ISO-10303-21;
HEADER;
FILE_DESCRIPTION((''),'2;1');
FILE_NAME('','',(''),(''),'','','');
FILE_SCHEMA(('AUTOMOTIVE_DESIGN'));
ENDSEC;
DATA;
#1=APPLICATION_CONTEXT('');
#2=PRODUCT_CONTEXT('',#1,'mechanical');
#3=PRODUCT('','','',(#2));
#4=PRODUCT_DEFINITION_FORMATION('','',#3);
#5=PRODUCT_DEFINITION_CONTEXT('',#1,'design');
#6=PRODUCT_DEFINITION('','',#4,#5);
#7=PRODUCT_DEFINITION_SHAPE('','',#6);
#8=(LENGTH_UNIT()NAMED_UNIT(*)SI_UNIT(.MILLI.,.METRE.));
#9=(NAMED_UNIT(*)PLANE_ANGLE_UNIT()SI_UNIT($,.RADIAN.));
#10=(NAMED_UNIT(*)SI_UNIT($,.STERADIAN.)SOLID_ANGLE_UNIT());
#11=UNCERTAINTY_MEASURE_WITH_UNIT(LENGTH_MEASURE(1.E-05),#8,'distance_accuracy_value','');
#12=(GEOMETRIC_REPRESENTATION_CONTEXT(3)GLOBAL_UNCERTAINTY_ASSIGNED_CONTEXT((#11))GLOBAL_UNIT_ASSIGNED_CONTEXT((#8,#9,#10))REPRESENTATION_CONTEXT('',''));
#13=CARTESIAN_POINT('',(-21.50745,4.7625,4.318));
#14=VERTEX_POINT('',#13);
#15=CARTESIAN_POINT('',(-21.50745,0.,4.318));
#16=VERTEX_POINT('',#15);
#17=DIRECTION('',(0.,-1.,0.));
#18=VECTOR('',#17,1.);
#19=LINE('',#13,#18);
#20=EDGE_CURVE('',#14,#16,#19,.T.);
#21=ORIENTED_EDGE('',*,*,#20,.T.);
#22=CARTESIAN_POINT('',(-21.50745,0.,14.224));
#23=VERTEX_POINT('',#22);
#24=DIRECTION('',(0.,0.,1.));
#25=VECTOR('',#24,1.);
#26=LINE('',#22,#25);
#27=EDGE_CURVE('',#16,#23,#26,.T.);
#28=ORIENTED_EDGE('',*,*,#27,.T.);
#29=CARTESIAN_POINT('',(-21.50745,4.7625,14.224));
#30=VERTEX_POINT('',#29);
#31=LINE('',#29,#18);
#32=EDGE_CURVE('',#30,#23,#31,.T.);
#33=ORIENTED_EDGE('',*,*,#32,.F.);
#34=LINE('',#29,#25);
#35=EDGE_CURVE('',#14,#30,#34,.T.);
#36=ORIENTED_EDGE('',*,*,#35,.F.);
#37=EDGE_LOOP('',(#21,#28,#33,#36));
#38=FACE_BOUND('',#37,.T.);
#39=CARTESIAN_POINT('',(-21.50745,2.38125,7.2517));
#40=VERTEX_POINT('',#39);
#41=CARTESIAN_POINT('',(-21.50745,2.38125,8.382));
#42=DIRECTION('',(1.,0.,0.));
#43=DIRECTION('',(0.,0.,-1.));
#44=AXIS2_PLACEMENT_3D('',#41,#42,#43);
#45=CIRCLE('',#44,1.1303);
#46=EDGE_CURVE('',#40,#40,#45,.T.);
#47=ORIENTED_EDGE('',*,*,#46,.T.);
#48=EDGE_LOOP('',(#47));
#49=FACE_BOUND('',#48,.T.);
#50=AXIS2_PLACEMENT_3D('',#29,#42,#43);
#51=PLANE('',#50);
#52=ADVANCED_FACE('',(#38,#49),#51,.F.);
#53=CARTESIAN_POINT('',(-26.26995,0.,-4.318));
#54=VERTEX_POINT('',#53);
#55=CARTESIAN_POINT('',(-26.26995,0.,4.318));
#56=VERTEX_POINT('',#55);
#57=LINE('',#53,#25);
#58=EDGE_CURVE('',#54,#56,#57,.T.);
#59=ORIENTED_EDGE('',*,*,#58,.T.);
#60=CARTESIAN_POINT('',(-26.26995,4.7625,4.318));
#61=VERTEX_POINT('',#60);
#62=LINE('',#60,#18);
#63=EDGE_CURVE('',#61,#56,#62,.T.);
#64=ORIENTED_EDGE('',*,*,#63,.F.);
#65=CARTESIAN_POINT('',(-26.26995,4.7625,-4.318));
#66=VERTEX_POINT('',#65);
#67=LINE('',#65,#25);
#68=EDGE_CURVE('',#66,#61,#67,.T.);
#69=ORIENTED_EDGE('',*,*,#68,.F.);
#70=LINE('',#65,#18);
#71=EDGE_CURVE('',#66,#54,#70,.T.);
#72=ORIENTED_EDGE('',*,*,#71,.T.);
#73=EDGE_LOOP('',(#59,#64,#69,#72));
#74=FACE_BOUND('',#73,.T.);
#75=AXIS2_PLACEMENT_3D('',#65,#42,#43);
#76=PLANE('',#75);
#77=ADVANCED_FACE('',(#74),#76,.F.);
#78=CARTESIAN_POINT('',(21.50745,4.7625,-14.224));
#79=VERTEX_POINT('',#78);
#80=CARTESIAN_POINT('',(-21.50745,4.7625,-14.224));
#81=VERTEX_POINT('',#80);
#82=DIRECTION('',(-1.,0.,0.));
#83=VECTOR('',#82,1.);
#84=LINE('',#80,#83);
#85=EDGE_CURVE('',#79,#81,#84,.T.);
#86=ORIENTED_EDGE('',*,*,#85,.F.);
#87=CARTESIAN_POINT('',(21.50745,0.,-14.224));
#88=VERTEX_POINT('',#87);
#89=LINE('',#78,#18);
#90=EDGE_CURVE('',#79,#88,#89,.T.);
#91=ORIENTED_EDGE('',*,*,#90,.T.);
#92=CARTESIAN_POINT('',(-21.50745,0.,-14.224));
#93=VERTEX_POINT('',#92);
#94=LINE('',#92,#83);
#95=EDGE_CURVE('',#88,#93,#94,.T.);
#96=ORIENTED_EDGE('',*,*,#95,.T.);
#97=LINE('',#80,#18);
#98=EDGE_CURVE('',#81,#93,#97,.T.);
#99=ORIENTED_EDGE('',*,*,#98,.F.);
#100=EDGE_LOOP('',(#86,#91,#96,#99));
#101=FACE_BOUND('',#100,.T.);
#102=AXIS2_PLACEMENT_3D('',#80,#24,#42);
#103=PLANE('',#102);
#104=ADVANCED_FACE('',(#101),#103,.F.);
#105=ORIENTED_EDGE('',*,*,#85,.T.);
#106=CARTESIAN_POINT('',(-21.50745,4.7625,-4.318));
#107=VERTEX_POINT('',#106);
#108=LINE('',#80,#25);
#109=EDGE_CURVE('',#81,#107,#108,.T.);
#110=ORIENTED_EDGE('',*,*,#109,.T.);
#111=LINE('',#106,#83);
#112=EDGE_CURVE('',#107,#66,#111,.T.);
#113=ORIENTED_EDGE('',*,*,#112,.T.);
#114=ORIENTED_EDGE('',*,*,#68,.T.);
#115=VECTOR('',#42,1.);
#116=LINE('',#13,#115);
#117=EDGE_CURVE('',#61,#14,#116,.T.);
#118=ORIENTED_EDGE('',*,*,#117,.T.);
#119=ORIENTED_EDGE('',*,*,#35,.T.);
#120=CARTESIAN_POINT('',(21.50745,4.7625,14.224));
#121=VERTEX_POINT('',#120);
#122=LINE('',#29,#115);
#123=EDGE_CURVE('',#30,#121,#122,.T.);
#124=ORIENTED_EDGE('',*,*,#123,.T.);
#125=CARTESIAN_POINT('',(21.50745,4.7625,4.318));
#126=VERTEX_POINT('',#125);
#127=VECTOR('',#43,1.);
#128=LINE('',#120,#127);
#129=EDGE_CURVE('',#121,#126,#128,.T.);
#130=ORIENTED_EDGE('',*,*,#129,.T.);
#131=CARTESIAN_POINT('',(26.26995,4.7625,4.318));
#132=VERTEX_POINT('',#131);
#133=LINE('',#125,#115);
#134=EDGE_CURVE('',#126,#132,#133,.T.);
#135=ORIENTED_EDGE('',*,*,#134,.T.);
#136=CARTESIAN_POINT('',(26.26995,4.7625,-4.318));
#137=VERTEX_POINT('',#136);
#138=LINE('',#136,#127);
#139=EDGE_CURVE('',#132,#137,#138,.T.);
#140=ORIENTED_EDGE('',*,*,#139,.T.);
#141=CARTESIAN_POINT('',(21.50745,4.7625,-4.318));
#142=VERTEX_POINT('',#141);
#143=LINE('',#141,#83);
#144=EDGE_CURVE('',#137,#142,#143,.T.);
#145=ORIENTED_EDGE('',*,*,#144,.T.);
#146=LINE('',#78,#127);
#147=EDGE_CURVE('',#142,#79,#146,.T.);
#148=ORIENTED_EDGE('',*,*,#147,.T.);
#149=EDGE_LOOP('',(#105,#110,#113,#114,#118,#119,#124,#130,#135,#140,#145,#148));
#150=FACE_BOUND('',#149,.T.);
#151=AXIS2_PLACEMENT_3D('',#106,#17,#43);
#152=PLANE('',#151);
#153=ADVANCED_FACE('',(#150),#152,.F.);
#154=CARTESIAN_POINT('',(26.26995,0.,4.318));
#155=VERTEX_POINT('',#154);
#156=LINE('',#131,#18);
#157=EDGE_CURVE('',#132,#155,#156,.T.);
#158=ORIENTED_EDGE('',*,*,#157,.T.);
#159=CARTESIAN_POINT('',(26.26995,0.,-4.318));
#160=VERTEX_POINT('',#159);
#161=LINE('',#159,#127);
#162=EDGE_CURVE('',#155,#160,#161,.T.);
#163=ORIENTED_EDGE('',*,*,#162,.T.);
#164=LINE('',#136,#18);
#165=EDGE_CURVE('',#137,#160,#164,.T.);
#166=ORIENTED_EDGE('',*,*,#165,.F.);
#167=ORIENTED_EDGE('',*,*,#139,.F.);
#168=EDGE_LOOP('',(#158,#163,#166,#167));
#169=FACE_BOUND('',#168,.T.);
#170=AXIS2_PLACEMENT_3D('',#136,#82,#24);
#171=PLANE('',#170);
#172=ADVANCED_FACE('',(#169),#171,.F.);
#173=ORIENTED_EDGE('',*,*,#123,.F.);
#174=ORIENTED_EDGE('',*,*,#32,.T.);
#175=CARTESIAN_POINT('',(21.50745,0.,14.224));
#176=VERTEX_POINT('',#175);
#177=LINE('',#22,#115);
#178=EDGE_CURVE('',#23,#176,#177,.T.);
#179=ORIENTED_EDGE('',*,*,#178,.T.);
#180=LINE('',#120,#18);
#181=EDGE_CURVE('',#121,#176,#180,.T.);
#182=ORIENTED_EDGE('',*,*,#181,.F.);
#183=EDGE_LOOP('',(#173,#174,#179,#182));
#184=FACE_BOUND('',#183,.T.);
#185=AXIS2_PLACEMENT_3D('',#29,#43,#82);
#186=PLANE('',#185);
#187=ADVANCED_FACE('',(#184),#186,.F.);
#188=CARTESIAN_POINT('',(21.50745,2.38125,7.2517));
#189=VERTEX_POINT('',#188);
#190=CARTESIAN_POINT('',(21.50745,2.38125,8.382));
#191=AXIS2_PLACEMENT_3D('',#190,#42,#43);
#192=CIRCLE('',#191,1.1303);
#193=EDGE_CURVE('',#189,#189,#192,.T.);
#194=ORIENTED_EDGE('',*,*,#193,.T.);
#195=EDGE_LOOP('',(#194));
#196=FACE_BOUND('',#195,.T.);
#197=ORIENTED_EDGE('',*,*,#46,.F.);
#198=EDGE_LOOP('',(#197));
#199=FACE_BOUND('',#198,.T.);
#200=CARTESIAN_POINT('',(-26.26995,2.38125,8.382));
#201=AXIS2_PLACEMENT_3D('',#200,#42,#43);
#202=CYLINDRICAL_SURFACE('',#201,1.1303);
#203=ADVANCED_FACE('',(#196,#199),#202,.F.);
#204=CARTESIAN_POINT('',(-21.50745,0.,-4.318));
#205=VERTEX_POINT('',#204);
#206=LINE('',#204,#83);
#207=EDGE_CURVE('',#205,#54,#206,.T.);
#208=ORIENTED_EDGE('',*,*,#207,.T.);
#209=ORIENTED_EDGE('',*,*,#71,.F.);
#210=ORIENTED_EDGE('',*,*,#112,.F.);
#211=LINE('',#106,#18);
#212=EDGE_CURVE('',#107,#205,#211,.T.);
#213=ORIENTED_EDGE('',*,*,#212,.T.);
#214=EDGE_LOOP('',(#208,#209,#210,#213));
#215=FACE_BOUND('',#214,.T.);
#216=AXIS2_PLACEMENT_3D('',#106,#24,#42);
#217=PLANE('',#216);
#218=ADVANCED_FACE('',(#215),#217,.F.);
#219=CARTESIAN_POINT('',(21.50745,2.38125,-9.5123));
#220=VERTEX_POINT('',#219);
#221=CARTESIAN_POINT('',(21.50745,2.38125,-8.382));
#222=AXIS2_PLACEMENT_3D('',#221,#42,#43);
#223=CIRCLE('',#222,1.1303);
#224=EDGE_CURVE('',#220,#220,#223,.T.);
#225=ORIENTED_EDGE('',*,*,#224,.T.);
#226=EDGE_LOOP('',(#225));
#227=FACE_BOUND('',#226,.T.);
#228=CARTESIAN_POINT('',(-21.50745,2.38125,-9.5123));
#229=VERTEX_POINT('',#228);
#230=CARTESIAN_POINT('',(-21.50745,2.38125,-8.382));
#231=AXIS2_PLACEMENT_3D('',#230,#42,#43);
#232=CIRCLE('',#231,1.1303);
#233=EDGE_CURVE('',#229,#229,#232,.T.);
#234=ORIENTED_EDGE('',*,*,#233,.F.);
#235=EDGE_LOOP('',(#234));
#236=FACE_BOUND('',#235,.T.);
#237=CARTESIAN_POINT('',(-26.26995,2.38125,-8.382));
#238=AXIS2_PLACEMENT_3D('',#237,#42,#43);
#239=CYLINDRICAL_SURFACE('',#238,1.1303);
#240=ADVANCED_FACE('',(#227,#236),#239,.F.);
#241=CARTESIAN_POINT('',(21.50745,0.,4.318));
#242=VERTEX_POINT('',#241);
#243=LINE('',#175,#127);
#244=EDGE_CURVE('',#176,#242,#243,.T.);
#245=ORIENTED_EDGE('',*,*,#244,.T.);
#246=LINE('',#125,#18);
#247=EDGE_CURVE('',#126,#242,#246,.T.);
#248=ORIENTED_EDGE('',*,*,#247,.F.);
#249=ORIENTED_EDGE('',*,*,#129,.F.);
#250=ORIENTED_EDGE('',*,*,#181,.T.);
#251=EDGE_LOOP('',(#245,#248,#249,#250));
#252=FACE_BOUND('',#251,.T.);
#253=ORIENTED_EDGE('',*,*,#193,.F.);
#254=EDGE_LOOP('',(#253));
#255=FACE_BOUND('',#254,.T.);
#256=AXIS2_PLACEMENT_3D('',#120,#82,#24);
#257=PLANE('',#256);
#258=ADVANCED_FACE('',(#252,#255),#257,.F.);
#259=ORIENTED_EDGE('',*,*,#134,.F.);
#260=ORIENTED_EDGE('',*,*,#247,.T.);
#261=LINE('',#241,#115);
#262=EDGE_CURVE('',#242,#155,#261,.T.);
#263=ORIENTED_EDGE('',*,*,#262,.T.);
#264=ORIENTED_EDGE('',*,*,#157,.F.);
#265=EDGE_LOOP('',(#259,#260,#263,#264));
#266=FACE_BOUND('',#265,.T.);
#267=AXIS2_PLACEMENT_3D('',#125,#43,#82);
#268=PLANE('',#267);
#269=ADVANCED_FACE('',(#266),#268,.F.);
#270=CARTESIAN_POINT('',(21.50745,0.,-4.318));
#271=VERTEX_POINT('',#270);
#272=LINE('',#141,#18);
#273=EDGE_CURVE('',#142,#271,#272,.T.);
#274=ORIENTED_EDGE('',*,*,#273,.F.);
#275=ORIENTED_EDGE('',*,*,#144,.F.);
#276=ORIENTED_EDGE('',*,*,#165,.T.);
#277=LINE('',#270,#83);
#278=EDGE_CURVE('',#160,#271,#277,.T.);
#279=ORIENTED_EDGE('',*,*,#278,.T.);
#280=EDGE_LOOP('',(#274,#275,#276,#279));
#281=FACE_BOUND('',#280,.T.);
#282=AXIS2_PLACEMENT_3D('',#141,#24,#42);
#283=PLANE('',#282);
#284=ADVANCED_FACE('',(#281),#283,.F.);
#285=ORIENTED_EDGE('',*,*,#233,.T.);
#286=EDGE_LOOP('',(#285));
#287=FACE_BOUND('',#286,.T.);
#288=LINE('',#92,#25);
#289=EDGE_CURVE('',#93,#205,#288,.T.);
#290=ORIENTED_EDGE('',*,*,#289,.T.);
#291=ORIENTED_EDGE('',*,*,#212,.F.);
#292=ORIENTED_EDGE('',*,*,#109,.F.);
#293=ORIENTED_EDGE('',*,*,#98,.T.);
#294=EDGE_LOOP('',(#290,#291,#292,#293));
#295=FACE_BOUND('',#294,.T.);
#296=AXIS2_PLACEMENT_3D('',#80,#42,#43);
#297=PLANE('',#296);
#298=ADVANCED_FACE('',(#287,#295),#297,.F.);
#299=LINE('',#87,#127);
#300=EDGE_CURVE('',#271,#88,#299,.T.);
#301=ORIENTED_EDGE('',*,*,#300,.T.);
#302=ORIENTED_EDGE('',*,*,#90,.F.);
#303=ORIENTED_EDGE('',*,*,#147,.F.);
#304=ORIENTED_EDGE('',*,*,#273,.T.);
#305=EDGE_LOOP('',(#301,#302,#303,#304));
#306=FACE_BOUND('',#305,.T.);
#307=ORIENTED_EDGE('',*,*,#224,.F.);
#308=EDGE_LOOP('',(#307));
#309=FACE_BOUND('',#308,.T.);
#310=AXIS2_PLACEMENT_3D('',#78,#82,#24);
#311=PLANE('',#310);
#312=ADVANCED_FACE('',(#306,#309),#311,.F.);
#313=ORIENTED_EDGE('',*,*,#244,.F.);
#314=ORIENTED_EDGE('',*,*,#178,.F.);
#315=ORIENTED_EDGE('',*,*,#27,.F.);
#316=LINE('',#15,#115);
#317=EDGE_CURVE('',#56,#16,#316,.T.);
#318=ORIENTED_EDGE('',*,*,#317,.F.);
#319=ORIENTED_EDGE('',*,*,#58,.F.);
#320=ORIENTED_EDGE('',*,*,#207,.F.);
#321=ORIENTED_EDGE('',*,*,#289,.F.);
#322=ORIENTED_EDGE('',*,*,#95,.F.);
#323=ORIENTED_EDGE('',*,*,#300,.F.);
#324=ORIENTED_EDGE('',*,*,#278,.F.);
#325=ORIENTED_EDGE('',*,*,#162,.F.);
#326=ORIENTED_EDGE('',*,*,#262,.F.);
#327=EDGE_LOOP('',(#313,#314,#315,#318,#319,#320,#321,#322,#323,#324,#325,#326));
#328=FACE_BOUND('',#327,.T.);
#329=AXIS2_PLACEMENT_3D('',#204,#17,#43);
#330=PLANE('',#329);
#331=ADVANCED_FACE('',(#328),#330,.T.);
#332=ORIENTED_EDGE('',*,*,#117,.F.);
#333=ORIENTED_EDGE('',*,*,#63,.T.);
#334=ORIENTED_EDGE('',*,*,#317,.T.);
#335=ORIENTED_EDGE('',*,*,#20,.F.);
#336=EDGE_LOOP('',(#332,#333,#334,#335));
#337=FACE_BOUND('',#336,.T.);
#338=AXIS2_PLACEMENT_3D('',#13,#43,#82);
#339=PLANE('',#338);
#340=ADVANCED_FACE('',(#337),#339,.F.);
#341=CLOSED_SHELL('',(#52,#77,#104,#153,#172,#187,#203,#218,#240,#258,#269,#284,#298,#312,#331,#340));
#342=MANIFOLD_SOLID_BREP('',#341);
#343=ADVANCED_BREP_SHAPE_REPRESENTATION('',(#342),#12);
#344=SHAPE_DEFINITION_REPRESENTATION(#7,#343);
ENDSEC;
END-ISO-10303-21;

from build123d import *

# Parameters (mm, degrees)
BOSS_EXTRUDE1_DEPTH = 4.7625
SKETCH4_R           = 1.1303
CUT_EXTRUDE1_DEPTH  = 51.076776384


with BuildPart() as part:
    # Sketch3 → Boss-Extrude1 (new body)
    with BuildSketch(Plane(origin=(0, 0, 0), x_dir=(1, 0, 0), z_dir=(0, 1, 0))):
        Polygon((-21.50745, 14.224), (21.50745, 14.224), (21.50745, 4.318), (26.26995, 4.318), (26.26995, -4.318), (21.50745, -4.318), (21.50745, -14.224), (-21.50745, -14.224), (-21.50745, -4.318), (-26.26995, -4.318), (-26.26995, 4.318), (-21.50745, 4.318), align=None)
    extrude(amount=BOSS_EXTRUDE1_DEPTH)

    # Sketch4 → Cut-Extrude1 (cut, through all)
    with BuildSketch(Plane(origin=(21.50745, 0, 0), x_dir=(0, 0, -1), z_dir=(1, 0, 0))):
        with Locations((-8.382, 2.38125)):
            Circle(SKETCH4_R)
        with Locations((8.382, 2.38125)):
            Circle(SKETCH4_R)
    extrude(amount=-CUT_EXTRUDE1_DEPTH, mode=Mode.SUBTRACT)


solid = part.part
